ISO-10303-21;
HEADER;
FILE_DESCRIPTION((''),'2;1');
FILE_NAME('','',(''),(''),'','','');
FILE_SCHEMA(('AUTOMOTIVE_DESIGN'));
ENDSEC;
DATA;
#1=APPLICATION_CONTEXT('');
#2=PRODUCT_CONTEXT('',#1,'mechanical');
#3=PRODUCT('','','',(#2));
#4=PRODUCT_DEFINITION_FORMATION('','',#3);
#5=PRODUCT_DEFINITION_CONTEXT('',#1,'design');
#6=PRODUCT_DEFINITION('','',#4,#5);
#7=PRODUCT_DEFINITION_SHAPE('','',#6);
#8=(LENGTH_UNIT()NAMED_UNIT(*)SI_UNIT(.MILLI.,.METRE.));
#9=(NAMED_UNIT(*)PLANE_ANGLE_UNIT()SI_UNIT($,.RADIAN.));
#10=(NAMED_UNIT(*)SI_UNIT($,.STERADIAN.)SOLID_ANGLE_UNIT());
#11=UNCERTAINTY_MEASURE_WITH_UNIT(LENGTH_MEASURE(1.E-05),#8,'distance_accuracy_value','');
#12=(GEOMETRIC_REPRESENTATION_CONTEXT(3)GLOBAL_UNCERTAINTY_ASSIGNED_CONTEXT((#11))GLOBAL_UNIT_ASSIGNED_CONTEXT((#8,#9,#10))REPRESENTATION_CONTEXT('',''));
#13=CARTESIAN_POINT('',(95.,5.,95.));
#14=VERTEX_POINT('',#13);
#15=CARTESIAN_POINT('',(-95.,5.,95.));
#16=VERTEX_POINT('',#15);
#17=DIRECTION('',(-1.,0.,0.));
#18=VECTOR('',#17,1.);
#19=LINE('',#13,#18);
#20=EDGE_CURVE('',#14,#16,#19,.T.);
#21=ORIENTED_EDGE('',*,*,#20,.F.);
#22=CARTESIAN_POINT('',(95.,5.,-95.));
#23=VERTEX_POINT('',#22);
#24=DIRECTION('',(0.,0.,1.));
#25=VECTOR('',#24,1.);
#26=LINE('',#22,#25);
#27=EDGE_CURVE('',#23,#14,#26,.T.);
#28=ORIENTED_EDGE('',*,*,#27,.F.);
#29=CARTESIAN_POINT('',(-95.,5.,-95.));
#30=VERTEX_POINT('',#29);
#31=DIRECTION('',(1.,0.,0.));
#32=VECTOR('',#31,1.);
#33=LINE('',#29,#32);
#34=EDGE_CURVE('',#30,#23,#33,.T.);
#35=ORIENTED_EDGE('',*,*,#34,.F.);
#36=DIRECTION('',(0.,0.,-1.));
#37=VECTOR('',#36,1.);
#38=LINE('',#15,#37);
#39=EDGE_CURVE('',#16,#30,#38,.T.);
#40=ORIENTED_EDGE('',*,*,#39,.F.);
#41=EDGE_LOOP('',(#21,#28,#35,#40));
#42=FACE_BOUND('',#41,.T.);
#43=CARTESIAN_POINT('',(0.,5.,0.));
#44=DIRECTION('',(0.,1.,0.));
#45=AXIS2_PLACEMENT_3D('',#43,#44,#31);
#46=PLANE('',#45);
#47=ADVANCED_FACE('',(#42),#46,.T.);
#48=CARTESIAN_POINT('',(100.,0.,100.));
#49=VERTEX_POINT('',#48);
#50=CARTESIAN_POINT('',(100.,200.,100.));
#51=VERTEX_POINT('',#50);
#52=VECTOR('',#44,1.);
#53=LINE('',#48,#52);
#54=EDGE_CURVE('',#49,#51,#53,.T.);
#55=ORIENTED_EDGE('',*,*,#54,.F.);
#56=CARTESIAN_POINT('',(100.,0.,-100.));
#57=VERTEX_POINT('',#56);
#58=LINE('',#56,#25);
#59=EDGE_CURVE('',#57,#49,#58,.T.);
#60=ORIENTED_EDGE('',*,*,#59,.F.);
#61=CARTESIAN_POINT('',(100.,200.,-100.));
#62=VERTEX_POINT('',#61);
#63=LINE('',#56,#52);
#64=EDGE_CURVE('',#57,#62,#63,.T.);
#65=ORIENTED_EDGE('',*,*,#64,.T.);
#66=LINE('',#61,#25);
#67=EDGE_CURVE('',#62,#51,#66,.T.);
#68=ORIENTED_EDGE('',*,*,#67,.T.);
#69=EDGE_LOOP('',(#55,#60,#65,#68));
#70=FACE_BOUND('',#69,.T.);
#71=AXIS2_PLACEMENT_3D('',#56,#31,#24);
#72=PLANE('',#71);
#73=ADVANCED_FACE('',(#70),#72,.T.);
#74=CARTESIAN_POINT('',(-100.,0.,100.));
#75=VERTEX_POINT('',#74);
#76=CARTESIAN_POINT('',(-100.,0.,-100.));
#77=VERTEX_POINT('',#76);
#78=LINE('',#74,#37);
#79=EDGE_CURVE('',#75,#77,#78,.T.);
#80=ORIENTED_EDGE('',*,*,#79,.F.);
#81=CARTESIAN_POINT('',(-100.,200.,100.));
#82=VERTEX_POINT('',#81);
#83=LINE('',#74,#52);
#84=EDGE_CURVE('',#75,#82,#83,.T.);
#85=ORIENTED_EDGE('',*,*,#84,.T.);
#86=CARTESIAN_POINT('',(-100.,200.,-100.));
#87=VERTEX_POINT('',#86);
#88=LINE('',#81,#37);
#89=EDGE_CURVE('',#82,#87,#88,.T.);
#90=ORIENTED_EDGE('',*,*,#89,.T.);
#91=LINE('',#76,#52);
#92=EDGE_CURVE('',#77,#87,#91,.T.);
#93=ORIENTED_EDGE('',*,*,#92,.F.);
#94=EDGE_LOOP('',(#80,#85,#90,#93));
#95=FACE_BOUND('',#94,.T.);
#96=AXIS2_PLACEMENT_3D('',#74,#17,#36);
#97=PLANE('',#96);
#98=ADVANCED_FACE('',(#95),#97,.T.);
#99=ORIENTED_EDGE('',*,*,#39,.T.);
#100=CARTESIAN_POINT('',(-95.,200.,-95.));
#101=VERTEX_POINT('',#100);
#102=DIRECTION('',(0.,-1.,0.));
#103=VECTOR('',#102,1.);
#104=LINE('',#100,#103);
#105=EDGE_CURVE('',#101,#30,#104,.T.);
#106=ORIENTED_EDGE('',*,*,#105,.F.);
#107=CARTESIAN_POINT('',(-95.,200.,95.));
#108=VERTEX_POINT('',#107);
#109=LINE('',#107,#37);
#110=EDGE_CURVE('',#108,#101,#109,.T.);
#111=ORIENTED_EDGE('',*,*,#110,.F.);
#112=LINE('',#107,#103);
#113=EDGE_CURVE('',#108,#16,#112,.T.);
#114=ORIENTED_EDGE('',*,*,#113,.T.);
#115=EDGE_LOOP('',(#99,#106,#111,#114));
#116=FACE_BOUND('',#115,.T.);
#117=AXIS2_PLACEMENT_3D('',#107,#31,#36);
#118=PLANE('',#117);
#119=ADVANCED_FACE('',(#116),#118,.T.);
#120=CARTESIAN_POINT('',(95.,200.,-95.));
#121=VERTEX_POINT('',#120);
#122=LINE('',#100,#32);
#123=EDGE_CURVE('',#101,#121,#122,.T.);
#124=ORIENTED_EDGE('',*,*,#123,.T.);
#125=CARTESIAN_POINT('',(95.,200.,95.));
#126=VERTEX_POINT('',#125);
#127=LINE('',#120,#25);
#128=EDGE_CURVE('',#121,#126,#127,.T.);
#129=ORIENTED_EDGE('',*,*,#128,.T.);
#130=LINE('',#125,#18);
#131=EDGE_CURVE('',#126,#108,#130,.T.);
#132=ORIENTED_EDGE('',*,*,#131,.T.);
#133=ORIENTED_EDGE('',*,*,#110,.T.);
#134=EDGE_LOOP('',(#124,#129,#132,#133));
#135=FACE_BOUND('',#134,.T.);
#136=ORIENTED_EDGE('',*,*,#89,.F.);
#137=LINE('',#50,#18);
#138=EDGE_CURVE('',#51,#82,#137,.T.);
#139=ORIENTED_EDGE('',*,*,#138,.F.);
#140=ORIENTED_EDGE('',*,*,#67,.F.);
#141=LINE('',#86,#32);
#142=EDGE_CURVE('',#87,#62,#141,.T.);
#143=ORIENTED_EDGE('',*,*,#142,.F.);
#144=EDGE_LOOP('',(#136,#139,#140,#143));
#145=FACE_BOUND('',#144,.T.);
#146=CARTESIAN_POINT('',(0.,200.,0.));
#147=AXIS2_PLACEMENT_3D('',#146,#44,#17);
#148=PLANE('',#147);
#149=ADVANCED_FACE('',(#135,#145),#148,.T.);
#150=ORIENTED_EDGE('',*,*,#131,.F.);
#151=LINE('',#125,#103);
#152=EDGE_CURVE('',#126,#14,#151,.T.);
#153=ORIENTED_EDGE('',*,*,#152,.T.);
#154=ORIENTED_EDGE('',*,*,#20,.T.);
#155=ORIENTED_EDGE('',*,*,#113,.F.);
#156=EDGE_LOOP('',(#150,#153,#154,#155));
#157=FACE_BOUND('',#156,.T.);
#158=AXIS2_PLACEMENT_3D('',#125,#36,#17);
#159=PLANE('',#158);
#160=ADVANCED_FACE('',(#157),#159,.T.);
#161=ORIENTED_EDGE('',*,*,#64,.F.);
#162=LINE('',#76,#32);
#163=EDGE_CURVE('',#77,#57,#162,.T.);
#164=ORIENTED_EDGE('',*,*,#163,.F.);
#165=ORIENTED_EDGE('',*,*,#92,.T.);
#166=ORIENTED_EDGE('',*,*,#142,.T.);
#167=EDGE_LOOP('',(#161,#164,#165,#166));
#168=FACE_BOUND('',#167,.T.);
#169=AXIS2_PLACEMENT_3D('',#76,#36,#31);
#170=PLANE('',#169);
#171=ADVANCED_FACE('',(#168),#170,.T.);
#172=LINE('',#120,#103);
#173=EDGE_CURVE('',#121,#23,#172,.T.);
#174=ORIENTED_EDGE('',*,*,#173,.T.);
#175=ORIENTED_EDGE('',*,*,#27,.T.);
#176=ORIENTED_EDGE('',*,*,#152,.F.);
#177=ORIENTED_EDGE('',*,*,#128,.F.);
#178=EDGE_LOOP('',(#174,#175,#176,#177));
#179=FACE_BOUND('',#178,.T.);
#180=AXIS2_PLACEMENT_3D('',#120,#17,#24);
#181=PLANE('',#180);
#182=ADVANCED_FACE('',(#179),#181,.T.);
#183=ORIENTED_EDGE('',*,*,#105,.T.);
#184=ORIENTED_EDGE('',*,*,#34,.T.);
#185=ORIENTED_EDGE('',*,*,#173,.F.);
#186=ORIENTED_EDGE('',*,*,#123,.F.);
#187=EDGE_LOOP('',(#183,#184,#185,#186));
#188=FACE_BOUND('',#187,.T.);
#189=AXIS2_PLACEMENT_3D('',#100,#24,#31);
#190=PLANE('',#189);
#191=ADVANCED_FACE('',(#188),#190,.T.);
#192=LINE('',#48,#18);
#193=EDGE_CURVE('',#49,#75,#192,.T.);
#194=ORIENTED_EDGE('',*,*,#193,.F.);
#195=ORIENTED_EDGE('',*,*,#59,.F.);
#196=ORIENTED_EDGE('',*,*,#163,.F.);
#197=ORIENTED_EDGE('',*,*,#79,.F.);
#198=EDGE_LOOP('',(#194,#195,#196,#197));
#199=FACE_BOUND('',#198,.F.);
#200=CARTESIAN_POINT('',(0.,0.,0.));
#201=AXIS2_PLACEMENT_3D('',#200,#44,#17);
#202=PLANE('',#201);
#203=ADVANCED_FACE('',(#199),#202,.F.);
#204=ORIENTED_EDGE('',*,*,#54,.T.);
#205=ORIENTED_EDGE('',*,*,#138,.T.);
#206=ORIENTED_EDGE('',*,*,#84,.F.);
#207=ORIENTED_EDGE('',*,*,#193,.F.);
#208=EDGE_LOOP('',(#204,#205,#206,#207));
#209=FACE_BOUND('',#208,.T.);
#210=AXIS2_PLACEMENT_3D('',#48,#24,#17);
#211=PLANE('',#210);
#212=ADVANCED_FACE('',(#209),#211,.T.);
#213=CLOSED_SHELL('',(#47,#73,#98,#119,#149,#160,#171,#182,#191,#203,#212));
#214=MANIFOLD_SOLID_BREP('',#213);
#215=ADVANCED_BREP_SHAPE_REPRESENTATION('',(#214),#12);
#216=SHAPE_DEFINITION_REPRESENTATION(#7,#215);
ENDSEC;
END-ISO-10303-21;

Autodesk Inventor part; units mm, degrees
ref_plane "YZ Plane" through (0, 0, 0) normal (1, 0, 0) x (0, 1, 0)
ref_plane "XZ Plane" through (0, 0, 0) normal (0, 1, 0) x (-1, 0, 0)
ref_plane "XY Plane" through (0, 0, 0) normal (0, 0, 1) x (1, 0, 0)
sketch "스케치1" plane through (0, 0, 0) normal (0, 1, 0) x (-1, 0, 0)
  line L0 (100, -100) -> (-100, -100)
  line L1 (-100, -100) -> (-100, 100)
  line L2 (-100, 100) -> (100, 100)
  line L3 (100, 100) -> (100, -100)
  line L4 (100, -100) -> (-100, 100) construction
  line L5 (-100, -100) -> (100, 100) construction
  point P0 (0, 0)
  dimension "d0" = 200
  dimension "d1" = 200
extrude "돌출1" add sketch "스케치1" along normal blind 200
sketch "스케치2" plane through (0, 200, 0) normal (0, 1, 0) x (1, 0, 0)
  line L0 (-95, 95) -> (95, 95)
  line L1 (95, 95) -> (95, -95)
  line L2 (95, -95) -> (-95, -95)
  line L3 (-95, -95) -> (-95, 95)
  line L4 (-95, 95) -> (95, -95) construction
  line L5 (95, 95) -> (-95, -95) construction
  point P0 (0, 0)
  dimension "d4" = 190
  dimension "d5" = 190
extrude "돌출2" cut sketch "스케치2" against normal blind 195
properties part number "safe"
